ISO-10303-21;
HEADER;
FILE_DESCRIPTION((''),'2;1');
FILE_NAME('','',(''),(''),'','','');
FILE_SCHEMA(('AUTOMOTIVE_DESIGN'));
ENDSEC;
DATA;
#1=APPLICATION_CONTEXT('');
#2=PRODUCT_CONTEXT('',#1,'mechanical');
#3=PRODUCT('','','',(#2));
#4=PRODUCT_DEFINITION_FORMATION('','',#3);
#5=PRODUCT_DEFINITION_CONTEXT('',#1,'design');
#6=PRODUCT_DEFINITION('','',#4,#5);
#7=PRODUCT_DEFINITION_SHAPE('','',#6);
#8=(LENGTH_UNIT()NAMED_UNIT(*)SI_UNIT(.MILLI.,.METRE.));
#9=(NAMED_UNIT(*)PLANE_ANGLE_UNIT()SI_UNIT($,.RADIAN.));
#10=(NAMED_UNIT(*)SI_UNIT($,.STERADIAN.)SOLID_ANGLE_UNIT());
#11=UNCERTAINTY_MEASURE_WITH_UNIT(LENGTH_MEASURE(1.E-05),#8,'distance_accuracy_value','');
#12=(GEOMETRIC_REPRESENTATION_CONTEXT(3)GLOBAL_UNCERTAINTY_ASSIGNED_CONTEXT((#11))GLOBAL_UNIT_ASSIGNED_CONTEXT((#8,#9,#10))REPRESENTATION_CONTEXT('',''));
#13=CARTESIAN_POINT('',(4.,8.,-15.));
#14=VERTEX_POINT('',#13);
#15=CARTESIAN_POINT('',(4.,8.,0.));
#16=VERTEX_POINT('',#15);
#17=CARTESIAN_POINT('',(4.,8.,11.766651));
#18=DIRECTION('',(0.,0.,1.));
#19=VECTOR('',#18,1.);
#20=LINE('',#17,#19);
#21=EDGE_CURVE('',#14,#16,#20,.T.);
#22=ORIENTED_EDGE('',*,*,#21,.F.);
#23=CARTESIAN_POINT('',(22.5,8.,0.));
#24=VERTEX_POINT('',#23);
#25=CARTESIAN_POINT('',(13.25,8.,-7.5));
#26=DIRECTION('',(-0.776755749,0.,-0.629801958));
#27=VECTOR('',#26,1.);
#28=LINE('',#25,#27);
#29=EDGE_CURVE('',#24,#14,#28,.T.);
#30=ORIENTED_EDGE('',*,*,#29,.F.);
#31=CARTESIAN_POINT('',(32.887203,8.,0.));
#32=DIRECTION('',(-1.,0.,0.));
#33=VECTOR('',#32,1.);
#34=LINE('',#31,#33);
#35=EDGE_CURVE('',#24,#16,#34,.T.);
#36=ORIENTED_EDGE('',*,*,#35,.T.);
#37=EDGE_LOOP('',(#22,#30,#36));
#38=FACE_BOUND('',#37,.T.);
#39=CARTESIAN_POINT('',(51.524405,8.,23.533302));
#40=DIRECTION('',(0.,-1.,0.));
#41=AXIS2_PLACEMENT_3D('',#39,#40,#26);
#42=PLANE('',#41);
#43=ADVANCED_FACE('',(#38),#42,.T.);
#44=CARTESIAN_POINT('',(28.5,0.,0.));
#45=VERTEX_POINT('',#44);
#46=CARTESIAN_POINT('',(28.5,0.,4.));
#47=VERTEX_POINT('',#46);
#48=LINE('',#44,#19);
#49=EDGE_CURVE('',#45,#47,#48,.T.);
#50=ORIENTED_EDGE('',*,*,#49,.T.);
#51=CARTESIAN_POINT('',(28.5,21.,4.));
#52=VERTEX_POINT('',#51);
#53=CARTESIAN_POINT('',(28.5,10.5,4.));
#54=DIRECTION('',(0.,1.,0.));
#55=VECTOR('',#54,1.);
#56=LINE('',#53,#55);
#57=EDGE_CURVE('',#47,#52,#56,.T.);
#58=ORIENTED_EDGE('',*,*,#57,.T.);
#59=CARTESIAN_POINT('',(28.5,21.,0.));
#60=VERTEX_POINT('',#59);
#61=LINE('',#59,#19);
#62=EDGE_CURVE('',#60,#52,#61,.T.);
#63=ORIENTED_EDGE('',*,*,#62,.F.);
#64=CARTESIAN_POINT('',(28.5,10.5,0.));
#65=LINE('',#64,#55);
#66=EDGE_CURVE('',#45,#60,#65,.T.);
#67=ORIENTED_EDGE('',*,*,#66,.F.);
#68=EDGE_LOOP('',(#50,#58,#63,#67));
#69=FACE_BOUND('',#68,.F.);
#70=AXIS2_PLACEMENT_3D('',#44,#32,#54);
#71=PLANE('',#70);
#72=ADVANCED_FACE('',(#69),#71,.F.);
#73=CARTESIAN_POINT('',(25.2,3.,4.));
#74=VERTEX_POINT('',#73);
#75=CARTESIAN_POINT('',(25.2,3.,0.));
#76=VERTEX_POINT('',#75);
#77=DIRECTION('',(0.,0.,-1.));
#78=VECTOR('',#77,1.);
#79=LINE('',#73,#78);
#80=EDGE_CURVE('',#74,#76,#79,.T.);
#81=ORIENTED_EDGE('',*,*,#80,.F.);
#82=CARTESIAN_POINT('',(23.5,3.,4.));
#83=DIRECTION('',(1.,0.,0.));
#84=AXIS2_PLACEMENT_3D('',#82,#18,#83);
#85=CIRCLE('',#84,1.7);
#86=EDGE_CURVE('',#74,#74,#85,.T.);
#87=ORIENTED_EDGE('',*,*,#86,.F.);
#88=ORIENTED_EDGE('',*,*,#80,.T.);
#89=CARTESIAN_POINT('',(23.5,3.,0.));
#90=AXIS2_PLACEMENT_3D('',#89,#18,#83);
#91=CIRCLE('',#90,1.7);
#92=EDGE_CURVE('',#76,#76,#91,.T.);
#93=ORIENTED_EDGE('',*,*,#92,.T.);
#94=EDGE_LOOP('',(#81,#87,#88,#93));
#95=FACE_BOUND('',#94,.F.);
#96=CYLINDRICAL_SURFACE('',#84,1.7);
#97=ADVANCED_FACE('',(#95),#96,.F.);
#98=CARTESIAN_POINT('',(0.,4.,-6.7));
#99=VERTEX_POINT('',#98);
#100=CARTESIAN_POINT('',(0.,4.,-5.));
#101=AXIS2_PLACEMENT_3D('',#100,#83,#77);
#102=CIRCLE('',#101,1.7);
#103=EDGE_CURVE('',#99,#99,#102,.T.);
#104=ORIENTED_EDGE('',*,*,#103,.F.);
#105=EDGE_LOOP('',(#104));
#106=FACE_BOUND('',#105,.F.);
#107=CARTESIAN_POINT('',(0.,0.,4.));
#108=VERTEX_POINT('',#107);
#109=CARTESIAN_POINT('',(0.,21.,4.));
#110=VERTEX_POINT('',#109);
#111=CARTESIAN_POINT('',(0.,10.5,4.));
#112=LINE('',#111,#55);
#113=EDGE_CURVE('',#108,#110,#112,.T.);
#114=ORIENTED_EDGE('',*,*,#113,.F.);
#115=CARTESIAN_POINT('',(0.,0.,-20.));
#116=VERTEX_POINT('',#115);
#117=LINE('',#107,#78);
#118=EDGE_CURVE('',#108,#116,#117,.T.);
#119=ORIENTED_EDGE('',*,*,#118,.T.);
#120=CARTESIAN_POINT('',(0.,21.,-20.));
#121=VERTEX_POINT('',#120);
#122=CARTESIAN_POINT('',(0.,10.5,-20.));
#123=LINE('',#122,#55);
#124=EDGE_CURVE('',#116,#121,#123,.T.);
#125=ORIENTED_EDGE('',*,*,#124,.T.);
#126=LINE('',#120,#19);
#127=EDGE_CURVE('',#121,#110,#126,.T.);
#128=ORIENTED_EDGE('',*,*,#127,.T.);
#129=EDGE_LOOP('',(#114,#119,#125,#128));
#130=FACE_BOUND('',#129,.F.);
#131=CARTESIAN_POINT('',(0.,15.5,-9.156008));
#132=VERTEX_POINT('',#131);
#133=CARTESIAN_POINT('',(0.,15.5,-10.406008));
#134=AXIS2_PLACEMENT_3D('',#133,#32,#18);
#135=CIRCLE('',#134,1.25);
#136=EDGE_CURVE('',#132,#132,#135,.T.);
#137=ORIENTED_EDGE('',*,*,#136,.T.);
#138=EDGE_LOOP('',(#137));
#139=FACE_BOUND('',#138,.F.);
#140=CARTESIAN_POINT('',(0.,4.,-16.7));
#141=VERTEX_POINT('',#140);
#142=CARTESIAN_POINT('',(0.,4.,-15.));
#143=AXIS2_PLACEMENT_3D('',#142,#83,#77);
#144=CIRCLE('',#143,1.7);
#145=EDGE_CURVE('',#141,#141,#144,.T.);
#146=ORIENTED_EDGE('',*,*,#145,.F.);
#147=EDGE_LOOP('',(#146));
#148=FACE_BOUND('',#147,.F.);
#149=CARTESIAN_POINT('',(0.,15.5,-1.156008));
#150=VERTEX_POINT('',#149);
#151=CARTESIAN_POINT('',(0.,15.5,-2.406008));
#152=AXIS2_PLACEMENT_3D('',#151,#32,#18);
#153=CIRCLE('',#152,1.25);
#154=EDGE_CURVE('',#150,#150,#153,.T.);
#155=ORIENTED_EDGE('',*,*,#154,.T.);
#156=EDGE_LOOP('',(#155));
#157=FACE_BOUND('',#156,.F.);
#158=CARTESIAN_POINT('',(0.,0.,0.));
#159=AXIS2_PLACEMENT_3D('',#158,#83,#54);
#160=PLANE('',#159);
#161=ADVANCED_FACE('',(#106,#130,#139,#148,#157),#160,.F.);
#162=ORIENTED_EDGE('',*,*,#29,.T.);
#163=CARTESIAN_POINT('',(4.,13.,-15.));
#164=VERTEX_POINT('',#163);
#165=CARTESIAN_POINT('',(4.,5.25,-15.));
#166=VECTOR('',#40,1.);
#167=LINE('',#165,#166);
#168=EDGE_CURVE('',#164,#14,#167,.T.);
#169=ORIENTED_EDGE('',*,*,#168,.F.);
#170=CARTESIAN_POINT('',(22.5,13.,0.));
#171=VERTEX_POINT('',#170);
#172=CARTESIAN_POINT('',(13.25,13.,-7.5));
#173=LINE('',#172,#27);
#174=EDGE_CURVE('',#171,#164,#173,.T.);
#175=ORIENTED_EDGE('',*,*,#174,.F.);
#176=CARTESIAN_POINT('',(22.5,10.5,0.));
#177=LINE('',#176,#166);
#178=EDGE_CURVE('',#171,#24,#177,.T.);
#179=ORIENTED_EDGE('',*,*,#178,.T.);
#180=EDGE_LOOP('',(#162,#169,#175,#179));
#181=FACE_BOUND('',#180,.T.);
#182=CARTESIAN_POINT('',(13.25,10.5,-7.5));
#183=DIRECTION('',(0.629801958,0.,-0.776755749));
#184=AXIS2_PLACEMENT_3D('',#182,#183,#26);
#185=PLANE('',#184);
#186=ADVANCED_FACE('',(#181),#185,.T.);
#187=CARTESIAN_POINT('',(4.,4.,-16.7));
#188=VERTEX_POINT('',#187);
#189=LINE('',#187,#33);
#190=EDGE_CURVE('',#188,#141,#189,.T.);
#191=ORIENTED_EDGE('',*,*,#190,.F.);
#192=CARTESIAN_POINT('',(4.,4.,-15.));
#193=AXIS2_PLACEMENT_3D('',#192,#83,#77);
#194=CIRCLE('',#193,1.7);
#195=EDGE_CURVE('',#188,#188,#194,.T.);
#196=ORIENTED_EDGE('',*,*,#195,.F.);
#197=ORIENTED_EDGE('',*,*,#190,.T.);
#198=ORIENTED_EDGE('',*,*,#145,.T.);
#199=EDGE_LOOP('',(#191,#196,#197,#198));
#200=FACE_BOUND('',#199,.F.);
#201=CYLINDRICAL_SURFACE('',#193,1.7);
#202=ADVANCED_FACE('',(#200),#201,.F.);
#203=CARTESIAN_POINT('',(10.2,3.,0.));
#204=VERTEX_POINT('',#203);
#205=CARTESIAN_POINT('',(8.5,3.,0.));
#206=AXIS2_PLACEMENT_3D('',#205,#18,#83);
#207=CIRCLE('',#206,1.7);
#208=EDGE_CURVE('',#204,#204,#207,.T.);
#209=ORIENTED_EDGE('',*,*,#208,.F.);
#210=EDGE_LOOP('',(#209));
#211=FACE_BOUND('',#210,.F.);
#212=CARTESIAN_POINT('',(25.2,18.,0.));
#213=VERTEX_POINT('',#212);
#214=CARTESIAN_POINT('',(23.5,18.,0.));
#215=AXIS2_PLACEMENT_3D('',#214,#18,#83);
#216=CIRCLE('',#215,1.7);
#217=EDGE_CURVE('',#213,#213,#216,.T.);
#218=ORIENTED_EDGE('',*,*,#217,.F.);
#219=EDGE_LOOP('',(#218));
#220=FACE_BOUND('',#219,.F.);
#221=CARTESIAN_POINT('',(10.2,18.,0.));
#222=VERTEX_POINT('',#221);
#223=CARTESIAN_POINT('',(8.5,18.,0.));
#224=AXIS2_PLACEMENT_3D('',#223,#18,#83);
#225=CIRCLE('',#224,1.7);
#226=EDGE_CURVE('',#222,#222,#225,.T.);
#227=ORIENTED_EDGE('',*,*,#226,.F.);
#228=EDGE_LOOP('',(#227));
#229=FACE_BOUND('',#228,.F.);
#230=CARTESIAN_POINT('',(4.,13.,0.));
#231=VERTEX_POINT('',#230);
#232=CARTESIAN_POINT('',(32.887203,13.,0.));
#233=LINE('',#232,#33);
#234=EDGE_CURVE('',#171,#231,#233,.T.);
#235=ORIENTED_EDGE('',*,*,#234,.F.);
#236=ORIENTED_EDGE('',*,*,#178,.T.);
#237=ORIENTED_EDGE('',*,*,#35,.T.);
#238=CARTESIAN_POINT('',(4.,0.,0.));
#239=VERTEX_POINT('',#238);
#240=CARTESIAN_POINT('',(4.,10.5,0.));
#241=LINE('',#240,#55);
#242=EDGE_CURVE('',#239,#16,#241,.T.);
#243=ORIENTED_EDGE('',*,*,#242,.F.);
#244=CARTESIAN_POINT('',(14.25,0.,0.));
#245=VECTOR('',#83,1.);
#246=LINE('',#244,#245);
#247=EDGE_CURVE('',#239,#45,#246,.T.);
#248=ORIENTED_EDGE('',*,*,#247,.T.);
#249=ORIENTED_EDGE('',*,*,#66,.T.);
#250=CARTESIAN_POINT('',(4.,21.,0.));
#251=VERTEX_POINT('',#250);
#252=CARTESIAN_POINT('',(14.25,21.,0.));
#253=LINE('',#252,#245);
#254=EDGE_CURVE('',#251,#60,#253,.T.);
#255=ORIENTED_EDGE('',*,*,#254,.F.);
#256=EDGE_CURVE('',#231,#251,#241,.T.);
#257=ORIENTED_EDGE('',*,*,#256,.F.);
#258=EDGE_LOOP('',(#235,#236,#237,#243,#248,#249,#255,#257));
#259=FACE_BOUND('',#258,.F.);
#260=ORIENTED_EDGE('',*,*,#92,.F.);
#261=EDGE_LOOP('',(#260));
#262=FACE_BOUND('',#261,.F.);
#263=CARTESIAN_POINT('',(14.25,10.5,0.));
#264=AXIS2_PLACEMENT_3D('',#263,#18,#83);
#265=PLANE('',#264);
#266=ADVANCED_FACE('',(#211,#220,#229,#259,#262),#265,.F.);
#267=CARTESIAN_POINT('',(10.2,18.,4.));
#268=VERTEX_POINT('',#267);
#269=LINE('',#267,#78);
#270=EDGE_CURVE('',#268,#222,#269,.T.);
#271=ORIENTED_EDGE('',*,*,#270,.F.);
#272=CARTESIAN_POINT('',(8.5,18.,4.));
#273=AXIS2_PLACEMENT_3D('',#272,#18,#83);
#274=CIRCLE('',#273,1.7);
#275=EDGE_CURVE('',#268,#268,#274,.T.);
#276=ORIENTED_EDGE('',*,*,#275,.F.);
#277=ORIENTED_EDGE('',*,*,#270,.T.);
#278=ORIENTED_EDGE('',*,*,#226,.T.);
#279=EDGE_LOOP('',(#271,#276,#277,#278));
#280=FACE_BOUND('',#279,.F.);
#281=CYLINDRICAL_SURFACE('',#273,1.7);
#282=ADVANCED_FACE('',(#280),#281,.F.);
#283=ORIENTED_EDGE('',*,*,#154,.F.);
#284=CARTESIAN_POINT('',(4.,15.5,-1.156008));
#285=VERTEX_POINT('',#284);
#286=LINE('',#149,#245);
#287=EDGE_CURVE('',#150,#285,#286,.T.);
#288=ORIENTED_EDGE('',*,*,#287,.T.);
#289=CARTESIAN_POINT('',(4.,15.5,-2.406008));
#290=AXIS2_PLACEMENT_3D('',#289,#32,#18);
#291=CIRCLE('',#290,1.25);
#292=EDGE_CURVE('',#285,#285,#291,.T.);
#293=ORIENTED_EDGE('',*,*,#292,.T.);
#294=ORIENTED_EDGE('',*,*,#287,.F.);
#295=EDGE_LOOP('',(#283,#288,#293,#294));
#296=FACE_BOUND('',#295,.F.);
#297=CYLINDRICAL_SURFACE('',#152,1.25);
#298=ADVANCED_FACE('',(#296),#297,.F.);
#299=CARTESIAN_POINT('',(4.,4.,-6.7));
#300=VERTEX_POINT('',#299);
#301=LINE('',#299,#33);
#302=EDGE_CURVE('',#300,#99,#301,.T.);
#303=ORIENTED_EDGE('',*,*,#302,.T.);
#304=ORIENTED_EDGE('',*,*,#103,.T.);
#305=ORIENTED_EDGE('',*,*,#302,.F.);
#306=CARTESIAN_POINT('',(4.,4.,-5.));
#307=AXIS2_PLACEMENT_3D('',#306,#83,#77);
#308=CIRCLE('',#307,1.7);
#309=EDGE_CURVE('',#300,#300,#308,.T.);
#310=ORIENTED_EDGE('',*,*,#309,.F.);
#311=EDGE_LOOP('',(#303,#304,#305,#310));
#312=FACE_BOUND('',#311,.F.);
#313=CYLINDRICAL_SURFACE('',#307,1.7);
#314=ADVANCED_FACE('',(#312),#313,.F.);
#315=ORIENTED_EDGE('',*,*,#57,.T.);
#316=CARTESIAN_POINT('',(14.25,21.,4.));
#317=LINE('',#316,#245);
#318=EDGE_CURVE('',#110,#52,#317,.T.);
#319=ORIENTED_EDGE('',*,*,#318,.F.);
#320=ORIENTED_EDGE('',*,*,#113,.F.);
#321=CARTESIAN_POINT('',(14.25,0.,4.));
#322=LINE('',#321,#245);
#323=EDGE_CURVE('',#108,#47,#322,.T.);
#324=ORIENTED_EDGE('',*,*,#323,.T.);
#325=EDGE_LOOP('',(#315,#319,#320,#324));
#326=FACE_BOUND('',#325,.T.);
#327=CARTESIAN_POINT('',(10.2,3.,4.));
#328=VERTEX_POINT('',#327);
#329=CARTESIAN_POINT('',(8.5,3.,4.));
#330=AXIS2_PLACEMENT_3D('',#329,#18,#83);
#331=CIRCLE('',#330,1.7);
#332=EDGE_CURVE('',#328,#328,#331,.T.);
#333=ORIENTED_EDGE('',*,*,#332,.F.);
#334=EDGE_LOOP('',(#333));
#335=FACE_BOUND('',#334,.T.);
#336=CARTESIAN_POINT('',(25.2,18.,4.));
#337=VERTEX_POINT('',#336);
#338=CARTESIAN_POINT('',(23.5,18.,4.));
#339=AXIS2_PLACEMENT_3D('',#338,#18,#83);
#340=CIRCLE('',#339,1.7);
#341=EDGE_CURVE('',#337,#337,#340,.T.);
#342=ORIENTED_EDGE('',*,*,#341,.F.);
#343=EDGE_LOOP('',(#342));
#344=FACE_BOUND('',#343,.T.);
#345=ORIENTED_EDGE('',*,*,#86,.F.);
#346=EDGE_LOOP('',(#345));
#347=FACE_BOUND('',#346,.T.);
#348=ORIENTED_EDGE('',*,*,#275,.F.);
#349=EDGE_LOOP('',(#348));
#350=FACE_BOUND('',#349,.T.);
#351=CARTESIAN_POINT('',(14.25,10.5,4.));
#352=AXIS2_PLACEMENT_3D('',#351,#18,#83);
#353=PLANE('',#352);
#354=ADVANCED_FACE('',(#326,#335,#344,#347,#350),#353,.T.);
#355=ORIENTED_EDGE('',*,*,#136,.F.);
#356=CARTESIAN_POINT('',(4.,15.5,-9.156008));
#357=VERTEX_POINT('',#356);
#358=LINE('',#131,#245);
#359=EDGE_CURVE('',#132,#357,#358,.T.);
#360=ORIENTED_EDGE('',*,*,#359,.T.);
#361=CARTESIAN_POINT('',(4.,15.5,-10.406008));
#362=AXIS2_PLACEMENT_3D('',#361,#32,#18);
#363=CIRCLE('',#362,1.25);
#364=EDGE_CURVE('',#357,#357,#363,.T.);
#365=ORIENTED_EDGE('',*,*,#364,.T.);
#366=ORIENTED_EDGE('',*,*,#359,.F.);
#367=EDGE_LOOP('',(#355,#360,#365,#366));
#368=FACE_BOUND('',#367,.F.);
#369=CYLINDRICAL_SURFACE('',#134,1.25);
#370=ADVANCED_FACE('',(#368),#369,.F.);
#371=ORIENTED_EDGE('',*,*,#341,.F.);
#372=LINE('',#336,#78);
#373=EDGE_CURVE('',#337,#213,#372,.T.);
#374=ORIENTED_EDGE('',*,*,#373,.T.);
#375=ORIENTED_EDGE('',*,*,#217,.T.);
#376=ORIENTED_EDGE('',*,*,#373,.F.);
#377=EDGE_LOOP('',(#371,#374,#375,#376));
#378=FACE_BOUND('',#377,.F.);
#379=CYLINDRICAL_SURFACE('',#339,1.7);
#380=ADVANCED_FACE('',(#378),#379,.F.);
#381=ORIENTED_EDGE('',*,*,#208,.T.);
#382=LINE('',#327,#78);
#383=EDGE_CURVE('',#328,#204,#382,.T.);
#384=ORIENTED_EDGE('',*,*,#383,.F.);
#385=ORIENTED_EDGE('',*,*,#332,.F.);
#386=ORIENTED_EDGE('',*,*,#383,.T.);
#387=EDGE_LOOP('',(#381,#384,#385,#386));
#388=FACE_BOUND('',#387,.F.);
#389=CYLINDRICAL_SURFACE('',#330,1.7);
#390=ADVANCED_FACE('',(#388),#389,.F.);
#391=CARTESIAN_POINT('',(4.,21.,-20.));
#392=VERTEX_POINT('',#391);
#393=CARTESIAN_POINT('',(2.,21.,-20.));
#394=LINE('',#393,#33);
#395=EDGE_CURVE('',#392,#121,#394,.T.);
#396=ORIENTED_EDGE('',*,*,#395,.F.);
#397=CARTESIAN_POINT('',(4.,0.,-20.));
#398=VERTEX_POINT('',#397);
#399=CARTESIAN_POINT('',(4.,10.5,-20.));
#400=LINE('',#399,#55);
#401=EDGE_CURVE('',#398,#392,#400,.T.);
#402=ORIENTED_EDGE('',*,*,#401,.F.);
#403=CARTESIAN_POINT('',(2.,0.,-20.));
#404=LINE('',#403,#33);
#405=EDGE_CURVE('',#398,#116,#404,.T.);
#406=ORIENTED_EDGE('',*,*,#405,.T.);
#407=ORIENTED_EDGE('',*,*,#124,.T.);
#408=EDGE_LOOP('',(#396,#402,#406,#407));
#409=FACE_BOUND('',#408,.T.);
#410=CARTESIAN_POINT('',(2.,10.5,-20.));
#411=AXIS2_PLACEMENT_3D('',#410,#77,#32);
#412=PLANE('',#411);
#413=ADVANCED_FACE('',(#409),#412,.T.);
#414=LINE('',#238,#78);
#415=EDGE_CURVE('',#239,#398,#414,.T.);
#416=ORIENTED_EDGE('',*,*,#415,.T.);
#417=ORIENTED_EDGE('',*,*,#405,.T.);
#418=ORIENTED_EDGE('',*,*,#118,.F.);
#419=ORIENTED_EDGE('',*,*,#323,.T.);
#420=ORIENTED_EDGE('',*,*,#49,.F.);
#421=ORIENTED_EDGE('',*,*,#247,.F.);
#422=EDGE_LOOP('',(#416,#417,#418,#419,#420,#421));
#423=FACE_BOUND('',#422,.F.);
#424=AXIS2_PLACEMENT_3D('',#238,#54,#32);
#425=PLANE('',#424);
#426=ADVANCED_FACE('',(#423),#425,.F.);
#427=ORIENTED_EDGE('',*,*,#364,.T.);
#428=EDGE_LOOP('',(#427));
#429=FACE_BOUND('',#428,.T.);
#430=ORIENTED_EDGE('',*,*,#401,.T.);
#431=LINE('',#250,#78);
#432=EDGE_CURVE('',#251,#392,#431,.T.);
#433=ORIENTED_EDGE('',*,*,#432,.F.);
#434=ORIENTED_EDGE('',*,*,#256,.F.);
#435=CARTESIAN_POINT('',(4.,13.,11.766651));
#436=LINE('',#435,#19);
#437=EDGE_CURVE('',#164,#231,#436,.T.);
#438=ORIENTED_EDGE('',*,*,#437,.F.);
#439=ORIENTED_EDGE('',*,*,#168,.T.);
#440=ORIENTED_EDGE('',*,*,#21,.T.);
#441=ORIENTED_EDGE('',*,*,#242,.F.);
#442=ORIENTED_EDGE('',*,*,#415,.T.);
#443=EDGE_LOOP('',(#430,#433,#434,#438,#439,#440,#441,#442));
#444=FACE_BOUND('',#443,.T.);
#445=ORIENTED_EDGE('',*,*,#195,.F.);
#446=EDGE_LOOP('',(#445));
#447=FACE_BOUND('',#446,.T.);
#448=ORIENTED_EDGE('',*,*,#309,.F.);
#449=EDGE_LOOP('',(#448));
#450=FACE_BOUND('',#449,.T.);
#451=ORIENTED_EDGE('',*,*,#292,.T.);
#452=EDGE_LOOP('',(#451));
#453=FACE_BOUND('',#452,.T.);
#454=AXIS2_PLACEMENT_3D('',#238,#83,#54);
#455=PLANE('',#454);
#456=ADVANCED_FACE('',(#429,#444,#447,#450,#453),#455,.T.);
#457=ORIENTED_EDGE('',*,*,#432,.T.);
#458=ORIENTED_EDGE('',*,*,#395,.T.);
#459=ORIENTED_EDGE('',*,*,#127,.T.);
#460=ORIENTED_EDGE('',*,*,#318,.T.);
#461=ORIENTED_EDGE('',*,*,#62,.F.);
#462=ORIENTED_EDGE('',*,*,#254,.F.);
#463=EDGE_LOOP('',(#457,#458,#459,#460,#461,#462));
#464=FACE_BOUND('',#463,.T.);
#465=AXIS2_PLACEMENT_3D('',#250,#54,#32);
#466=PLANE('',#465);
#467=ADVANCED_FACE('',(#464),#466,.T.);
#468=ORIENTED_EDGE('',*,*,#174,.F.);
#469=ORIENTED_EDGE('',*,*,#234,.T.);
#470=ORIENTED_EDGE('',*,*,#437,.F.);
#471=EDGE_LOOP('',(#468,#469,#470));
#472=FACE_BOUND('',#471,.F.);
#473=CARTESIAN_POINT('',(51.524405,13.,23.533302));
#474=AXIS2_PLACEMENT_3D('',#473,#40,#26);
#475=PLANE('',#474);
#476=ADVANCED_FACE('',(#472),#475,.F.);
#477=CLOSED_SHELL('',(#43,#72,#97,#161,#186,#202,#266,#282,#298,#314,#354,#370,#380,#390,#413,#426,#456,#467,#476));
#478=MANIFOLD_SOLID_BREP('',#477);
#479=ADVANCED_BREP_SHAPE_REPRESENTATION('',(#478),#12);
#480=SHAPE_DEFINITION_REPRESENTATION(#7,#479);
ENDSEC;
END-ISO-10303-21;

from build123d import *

# Parameters (mm, degrees)
SKETCH_1_W          = 28.5
SKETCH_1_H          = 21
EXTRUDE_1_DEPTH     = 4
SKETCH_2_W          = 4
SKETCH_2_H          = 21
EXTRUDE_2_DEPTH     = 20
RIB_1_REACH         = 38.366
SKETCH_3_WALL_W     = 98.549396912
SKETCH_3_WALL_H     = 5
CUT_EXTRUDE_1_REACH = 42.66
SKETCH_4_R          = 1.25
CUT_EXTRUDE_2_REACH = 44.77
SKETCH_5_R          = 1.7
CUT_EXTRUDE_3_REACH = 39.964
SKETCH_6_R          = 1.7


with BuildPart() as part:
    # 草图1 → 凸台-拉伸1 (new body)
    with BuildSketch(Plane.XY):
        with Locations((14.25, 10.5)):
            Rectangle(SKETCH_1_W, SKETCH_1_H)
    extrude(amount=EXTRUDE_1_DEPTH)

    # 草图2 → 凸台-拉伸2 (add)
    with BuildSketch(Plane(origin=(0, 0, 0), x_dir=(-1, 0, 0), z_dir=(0, 0, -1))):
        with Locations((-2, 10.5)):
            Rectangle(SKETCH_2_W, SKETCH_2_H)
    extrude(amount=EXTRUDE_2_DEPTH)

    # 草图3 wall → 筋1 (add, up to next)
    with BuildSketch(Plane(origin=(13.25, 10.5, -7.5), x_dir=(-0.77675574872, 0, -0.629801958421), z_dir=(0.629801958421, 0, -0.77675574872)), mode=Mode.PRIVATE) as rib_1_sk1:
        Rectangle(SKETCH_3_WALL_W, SKETCH_3_WALL_H)
    rib_1_tool1 = extrude(rib_1_sk1.sketch, amount=-RIB_1_REACH, mode=Mode.PRIVATE) - part.part
    add(rib_1_tool1.solids().sort_by_distance((13.25, 10.5, -7.5))[0])

    # 草图4 → 切除-拉伸1 (cut, up to next)
    with BuildSketch(Plane.ZY, mode=Mode.PRIVATE) as cut_extrude_1_sk1:
        with Locations((-2.406007896, 15.5)):
            Circle(SKETCH_4_R)
    cut_extrude_1_tool1 = extrude(cut_extrude_1_sk1.sketch, amount=-CUT_EXTRUDE_1_REACH, mode=Mode.PRIVATE) & part.part
    # 草图4 → 切除-拉伸1 (cut, up to next)
    with BuildSketch(Plane.ZY, mode=Mode.PRIVATE) as cut_extrude_1_sk2:
        with Locations((-10.406007896, 15.5)):
            Circle(SKETCH_4_R)
    cut_extrude_1_tool2 = extrude(cut_extrude_1_sk2.sketch, amount=-CUT_EXTRUDE_1_REACH, mode=Mode.PRIVATE) & part.part
    add(cut_extrude_1_tool1.solids().sort_by_distance((0, 15.5, -2.406008))[0], mode=Mode.SUBTRACT)
    add(cut_extrude_1_tool2.solids().sort_by_distance((0, 15.5, -10.406008))[0], mode=Mode.SUBTRACT)

    # 草图5 → 切除-拉伸2 (cut, up to next)
    with BuildSketch(Plane.XY.offset(4), mode=Mode.PRIVATE) as cut_extrude_2_sk1:
        with Locations((23.5, 18)):
            Circle(SKETCH_5_R)
    cut_extrude_2_tool1 = extrude(cut_extrude_2_sk1.sketch, amount=-CUT_EXTRUDE_2_REACH, mode=Mode.PRIVATE) & part.part
    # 草图5 → 切除-拉伸2 (cut, up to next)
    with BuildSketch(Plane.XY.offset(4), mode=Mode.PRIVATE) as cut_extrude_2_sk2:
        with Locations((8.5, 3)):
            Circle(SKETCH_5_R)
    cut_extrude_2_tool2 = extrude(cut_extrude_2_sk2.sketch, amount=-CUT_EXTRUDE_2_REACH, mode=Mode.PRIVATE) & part.part
    # 草图5 → 切除-拉伸2 (cut, up to next)
    with BuildSketch(Plane.XY.offset(4), mode=Mode.PRIVATE) as cut_extrude_2_sk3:
        with Locations((23.5, 3)):
            Circle(SKETCH_5_R)
    cut_extrude_2_tool3 = extrude(cut_extrude_2_sk3.sketch, amount=-CUT_EXTRUDE_2_REACH, mode=Mode.PRIVATE) & part.part
    # 草图5 → 切除-拉伸2 (cut, up to next)
    with BuildSketch(Plane.XY.offset(4), mode=Mode.PRIVATE) as cut_extrude_2_sk4:
        with Locations((8.5, 18)):
            Circle(SKETCH_5_R)
    cut_extrude_2_tool4 = extrude(cut_extrude_2_sk4.sketch, amount=-CUT_EXTRUDE_2_REACH, mode=Mode.PRIVATE) & part.part
    add(cut_extrude_2_tool1.solids().sort_by_distance((23.5, 18, 4))[0], mode=Mode.SUBTRACT)
    add(cut_extrude_2_tool2.solids().sort_by_distance((8.5, 3, 4))[0], mode=Mode.SUBTRACT)
    add(cut_extrude_2_tool3.solids().sort_by_distance((23.5, 3, 4))[0], mode=Mode.SUBTRACT)
    add(cut_extrude_2_tool4.solids().sort_by_distance((8.5, 18, 4))[0], mode=Mode.SUBTRACT)

    # 草图6 → 切除-拉伸3 (cut, up to next)
    with BuildSketch(Plane(origin=(4, 0, 0), x_dir=(0, 0, -1), z_dir=(1, 0, 0)), mode=Mode.PRIVATE) as cut_extrude_3_sk1:
        with Locations((5, 4)):
            Circle(SKETCH_6_R)
    cut_extrude_3_tool1 = extrude(cut_extrude_3_sk1.sketch, amount=-CUT_EXTRUDE_3_REACH, mode=Mode.PRIVATE) & part.part
    # 草图6 → 切除-拉伸3 (cut, up to next)
    with BuildSketch(Plane(origin=(4, 0, 0), x_dir=(0, 0, -1), z_dir=(1, 0, 0)), mode=Mode.PRIVATE) as cut_extrude_3_sk2:
        with Locations((15, 4)):
            Circle(SKETCH_6_R)
    cut_extrude_3_tool2 = extrude(cut_extrude_3_sk2.sketch, amount=-CUT_EXTRUDE_3_REACH, mode=Mode.PRIVATE) & part.part
    add(cut_extrude_3_tool1.solids().sort_by_distance((4, 4, -5))[0], mode=Mode.SUBTRACT)
    add(cut_extrude_3_tool2.solids().sort_by_distance((4, 4, -15))[0], mode=Mode.SUBTRACT)


solid = part.part
